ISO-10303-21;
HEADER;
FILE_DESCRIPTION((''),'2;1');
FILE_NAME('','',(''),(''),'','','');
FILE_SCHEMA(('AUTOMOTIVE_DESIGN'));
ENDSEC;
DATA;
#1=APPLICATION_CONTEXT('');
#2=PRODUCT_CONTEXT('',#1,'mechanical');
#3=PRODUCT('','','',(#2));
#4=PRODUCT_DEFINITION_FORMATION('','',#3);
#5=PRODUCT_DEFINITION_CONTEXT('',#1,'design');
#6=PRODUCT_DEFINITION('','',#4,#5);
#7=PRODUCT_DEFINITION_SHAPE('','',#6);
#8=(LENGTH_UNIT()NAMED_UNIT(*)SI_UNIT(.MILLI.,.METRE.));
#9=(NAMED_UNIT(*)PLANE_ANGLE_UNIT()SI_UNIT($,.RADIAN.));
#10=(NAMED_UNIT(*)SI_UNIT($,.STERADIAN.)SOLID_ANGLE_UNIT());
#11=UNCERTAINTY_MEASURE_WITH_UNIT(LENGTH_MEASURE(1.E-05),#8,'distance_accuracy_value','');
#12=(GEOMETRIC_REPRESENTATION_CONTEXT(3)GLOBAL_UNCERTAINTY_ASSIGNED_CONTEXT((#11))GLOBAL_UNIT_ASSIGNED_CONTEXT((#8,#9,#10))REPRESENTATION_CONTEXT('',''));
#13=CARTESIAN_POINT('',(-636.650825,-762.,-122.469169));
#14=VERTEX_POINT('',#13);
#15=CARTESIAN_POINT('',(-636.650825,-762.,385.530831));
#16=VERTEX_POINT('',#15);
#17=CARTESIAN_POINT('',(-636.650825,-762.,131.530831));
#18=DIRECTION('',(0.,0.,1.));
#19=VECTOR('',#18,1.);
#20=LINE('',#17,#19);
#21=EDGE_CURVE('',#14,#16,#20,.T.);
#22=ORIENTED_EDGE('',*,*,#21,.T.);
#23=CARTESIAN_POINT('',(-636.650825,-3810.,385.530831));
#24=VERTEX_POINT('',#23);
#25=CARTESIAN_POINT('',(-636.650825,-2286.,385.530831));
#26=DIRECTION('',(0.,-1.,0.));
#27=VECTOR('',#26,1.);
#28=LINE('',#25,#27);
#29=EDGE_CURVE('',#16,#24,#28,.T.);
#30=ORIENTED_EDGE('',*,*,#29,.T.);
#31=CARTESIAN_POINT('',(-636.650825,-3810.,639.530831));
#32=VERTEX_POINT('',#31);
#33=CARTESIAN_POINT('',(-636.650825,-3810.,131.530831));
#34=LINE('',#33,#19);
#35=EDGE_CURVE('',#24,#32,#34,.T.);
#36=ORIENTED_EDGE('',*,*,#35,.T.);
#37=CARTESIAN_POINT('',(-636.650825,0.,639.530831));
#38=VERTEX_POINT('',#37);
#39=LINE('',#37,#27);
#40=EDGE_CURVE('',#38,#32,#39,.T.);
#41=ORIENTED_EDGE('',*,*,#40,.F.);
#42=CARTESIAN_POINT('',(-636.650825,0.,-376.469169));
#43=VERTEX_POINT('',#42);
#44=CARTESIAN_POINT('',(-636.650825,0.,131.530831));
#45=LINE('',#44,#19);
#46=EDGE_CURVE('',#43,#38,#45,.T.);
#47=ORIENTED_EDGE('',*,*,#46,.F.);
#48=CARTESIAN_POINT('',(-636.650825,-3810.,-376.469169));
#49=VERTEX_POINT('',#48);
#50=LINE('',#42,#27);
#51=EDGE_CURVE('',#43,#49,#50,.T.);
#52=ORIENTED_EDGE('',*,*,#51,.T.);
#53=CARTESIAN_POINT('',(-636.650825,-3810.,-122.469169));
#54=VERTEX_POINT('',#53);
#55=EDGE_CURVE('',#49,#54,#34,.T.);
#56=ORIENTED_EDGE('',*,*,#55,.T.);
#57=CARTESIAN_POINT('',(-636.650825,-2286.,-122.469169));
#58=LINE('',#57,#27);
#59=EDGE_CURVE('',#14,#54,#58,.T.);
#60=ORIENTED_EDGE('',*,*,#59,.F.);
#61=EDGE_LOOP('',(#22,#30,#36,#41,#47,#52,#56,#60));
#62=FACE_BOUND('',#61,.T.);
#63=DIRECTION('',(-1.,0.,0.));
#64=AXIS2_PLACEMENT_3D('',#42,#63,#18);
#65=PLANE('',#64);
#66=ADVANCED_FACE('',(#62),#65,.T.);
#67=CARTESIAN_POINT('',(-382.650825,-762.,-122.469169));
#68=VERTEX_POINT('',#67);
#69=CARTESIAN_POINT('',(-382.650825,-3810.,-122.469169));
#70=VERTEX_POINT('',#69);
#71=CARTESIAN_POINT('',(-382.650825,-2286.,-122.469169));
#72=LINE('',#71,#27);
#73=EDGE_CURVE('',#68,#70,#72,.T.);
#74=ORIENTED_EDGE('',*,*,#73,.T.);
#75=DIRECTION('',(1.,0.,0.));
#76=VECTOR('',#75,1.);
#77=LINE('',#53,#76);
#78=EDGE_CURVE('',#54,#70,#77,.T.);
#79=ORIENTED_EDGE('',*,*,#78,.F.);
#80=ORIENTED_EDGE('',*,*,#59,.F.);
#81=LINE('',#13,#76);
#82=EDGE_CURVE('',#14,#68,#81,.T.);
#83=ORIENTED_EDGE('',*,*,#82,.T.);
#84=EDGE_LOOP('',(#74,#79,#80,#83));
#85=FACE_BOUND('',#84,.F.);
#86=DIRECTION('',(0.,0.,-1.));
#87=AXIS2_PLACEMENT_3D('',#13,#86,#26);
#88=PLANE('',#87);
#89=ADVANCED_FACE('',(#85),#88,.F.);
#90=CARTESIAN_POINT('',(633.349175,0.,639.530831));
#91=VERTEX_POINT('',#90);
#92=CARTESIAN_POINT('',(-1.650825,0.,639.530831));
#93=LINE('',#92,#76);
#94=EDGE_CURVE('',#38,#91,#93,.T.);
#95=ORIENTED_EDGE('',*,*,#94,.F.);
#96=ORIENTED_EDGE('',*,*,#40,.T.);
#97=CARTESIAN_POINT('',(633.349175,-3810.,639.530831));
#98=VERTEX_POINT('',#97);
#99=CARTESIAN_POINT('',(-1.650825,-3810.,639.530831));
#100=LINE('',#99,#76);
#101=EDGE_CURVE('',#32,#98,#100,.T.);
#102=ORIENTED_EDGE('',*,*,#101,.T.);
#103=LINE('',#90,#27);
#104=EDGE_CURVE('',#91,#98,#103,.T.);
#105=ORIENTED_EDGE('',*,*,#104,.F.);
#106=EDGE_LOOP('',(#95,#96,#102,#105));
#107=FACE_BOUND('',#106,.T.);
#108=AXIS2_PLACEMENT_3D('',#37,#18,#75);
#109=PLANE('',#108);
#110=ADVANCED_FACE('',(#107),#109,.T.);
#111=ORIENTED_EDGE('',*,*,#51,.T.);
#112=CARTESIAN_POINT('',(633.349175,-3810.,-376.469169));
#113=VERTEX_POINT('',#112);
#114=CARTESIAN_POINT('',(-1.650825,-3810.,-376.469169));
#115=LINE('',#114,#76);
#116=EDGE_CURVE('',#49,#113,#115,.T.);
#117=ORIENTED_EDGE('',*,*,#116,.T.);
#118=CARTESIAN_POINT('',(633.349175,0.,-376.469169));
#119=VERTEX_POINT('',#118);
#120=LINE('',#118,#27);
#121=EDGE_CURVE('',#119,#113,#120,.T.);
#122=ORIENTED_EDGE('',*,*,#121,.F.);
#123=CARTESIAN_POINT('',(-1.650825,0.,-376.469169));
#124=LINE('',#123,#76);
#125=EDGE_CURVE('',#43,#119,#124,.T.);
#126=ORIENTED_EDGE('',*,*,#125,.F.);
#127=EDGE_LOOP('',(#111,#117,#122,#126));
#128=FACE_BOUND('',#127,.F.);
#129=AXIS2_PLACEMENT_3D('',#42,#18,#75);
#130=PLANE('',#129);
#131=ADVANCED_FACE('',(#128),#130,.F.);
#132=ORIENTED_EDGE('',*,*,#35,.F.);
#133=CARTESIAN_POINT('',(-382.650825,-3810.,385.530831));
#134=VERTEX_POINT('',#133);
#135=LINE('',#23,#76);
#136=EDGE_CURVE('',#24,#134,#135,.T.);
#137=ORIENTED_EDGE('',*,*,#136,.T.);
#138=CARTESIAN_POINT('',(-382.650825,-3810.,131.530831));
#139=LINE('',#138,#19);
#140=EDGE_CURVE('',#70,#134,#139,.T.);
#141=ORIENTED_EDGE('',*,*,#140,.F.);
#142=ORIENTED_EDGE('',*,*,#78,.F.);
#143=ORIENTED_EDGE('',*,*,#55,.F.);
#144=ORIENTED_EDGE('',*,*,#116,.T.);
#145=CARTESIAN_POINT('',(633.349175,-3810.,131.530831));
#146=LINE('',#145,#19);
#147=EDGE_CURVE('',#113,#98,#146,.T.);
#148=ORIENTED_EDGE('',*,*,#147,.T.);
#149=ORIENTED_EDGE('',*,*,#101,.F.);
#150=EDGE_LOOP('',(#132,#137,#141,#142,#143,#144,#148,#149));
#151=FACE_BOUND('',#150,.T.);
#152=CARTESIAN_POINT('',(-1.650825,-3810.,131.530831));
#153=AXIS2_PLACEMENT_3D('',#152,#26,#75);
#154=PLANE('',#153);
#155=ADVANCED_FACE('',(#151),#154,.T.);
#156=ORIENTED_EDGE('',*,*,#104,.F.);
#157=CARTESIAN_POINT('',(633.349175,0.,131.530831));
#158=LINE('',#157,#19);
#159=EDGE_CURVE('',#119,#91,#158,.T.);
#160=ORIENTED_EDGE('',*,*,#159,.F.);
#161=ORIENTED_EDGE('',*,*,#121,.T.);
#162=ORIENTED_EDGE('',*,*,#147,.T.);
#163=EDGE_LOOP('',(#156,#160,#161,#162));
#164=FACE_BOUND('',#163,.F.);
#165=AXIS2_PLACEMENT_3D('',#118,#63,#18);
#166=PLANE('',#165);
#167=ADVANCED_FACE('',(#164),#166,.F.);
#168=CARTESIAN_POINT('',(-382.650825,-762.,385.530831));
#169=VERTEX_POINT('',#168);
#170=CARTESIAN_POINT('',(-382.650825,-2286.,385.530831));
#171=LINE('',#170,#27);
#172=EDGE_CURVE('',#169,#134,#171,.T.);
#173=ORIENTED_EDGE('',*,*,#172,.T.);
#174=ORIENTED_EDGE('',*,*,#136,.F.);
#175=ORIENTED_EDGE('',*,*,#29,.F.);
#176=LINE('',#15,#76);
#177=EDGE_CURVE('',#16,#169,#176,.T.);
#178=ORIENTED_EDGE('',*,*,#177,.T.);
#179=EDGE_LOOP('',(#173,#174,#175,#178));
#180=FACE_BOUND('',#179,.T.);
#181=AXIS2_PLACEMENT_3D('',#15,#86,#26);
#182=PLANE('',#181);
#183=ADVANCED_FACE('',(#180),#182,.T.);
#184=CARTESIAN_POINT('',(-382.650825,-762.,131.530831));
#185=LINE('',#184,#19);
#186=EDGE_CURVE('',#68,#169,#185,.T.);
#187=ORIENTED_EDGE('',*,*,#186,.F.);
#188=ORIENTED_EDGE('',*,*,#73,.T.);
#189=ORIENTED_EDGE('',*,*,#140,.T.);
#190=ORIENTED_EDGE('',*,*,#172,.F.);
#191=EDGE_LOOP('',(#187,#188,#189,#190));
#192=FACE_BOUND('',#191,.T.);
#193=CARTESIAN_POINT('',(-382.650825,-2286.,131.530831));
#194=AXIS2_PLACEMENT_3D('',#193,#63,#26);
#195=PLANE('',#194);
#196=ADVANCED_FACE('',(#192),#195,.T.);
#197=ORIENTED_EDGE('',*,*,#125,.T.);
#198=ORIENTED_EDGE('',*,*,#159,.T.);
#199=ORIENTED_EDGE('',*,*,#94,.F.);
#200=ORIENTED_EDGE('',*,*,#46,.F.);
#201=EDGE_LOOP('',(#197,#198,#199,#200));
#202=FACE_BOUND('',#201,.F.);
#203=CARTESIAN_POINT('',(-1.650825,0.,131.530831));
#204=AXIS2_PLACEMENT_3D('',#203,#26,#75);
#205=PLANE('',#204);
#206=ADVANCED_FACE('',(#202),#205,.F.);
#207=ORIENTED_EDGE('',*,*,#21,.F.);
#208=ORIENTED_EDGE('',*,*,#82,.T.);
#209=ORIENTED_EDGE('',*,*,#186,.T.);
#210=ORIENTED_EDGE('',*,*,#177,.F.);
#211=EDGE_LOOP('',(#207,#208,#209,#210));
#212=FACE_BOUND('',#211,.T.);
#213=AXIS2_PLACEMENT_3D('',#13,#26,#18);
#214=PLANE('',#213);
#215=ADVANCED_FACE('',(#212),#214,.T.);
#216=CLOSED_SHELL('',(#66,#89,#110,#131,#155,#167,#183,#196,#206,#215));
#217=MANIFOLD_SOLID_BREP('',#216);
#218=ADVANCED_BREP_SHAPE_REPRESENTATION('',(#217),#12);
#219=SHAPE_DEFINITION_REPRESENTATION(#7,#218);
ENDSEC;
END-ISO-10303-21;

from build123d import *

# Parameters (mm, degrees)
F0_W     = 1270
F0_H     = 1016
F1_DEPTH = 3810
F2_W     = 3048
F2_H     = 508
F3_DEPTH = 254


with BuildPart() as f1:
    # F0 (on Front) → F1 (new body)
    with BuildSketch(Plane.XZ):
        with Locations((-1.650825, 131.530831)):
            Rectangle(F0_W, F0_H)
    extrude(amount=F1_DEPTH)


with BuildPart() as f3:
    # F2 (on face) → F3 (new body)
    with BuildSketch(Plane(origin=(-636.650825, 0, 0), x_dir=(0, -1, 0), z_dir=(-1, 0, 0))):
        with Locations((2286, 131.530831)):
            Rectangle(F2_W, F2_H)
    extrude(amount=-F3_DEPTH)


with BuildPart() as f1_1:
    add(f1.part)

    # F4: cut F3
    add(f3.part, mode=Mode.SUBTRACT)


solid = f1_1.part
